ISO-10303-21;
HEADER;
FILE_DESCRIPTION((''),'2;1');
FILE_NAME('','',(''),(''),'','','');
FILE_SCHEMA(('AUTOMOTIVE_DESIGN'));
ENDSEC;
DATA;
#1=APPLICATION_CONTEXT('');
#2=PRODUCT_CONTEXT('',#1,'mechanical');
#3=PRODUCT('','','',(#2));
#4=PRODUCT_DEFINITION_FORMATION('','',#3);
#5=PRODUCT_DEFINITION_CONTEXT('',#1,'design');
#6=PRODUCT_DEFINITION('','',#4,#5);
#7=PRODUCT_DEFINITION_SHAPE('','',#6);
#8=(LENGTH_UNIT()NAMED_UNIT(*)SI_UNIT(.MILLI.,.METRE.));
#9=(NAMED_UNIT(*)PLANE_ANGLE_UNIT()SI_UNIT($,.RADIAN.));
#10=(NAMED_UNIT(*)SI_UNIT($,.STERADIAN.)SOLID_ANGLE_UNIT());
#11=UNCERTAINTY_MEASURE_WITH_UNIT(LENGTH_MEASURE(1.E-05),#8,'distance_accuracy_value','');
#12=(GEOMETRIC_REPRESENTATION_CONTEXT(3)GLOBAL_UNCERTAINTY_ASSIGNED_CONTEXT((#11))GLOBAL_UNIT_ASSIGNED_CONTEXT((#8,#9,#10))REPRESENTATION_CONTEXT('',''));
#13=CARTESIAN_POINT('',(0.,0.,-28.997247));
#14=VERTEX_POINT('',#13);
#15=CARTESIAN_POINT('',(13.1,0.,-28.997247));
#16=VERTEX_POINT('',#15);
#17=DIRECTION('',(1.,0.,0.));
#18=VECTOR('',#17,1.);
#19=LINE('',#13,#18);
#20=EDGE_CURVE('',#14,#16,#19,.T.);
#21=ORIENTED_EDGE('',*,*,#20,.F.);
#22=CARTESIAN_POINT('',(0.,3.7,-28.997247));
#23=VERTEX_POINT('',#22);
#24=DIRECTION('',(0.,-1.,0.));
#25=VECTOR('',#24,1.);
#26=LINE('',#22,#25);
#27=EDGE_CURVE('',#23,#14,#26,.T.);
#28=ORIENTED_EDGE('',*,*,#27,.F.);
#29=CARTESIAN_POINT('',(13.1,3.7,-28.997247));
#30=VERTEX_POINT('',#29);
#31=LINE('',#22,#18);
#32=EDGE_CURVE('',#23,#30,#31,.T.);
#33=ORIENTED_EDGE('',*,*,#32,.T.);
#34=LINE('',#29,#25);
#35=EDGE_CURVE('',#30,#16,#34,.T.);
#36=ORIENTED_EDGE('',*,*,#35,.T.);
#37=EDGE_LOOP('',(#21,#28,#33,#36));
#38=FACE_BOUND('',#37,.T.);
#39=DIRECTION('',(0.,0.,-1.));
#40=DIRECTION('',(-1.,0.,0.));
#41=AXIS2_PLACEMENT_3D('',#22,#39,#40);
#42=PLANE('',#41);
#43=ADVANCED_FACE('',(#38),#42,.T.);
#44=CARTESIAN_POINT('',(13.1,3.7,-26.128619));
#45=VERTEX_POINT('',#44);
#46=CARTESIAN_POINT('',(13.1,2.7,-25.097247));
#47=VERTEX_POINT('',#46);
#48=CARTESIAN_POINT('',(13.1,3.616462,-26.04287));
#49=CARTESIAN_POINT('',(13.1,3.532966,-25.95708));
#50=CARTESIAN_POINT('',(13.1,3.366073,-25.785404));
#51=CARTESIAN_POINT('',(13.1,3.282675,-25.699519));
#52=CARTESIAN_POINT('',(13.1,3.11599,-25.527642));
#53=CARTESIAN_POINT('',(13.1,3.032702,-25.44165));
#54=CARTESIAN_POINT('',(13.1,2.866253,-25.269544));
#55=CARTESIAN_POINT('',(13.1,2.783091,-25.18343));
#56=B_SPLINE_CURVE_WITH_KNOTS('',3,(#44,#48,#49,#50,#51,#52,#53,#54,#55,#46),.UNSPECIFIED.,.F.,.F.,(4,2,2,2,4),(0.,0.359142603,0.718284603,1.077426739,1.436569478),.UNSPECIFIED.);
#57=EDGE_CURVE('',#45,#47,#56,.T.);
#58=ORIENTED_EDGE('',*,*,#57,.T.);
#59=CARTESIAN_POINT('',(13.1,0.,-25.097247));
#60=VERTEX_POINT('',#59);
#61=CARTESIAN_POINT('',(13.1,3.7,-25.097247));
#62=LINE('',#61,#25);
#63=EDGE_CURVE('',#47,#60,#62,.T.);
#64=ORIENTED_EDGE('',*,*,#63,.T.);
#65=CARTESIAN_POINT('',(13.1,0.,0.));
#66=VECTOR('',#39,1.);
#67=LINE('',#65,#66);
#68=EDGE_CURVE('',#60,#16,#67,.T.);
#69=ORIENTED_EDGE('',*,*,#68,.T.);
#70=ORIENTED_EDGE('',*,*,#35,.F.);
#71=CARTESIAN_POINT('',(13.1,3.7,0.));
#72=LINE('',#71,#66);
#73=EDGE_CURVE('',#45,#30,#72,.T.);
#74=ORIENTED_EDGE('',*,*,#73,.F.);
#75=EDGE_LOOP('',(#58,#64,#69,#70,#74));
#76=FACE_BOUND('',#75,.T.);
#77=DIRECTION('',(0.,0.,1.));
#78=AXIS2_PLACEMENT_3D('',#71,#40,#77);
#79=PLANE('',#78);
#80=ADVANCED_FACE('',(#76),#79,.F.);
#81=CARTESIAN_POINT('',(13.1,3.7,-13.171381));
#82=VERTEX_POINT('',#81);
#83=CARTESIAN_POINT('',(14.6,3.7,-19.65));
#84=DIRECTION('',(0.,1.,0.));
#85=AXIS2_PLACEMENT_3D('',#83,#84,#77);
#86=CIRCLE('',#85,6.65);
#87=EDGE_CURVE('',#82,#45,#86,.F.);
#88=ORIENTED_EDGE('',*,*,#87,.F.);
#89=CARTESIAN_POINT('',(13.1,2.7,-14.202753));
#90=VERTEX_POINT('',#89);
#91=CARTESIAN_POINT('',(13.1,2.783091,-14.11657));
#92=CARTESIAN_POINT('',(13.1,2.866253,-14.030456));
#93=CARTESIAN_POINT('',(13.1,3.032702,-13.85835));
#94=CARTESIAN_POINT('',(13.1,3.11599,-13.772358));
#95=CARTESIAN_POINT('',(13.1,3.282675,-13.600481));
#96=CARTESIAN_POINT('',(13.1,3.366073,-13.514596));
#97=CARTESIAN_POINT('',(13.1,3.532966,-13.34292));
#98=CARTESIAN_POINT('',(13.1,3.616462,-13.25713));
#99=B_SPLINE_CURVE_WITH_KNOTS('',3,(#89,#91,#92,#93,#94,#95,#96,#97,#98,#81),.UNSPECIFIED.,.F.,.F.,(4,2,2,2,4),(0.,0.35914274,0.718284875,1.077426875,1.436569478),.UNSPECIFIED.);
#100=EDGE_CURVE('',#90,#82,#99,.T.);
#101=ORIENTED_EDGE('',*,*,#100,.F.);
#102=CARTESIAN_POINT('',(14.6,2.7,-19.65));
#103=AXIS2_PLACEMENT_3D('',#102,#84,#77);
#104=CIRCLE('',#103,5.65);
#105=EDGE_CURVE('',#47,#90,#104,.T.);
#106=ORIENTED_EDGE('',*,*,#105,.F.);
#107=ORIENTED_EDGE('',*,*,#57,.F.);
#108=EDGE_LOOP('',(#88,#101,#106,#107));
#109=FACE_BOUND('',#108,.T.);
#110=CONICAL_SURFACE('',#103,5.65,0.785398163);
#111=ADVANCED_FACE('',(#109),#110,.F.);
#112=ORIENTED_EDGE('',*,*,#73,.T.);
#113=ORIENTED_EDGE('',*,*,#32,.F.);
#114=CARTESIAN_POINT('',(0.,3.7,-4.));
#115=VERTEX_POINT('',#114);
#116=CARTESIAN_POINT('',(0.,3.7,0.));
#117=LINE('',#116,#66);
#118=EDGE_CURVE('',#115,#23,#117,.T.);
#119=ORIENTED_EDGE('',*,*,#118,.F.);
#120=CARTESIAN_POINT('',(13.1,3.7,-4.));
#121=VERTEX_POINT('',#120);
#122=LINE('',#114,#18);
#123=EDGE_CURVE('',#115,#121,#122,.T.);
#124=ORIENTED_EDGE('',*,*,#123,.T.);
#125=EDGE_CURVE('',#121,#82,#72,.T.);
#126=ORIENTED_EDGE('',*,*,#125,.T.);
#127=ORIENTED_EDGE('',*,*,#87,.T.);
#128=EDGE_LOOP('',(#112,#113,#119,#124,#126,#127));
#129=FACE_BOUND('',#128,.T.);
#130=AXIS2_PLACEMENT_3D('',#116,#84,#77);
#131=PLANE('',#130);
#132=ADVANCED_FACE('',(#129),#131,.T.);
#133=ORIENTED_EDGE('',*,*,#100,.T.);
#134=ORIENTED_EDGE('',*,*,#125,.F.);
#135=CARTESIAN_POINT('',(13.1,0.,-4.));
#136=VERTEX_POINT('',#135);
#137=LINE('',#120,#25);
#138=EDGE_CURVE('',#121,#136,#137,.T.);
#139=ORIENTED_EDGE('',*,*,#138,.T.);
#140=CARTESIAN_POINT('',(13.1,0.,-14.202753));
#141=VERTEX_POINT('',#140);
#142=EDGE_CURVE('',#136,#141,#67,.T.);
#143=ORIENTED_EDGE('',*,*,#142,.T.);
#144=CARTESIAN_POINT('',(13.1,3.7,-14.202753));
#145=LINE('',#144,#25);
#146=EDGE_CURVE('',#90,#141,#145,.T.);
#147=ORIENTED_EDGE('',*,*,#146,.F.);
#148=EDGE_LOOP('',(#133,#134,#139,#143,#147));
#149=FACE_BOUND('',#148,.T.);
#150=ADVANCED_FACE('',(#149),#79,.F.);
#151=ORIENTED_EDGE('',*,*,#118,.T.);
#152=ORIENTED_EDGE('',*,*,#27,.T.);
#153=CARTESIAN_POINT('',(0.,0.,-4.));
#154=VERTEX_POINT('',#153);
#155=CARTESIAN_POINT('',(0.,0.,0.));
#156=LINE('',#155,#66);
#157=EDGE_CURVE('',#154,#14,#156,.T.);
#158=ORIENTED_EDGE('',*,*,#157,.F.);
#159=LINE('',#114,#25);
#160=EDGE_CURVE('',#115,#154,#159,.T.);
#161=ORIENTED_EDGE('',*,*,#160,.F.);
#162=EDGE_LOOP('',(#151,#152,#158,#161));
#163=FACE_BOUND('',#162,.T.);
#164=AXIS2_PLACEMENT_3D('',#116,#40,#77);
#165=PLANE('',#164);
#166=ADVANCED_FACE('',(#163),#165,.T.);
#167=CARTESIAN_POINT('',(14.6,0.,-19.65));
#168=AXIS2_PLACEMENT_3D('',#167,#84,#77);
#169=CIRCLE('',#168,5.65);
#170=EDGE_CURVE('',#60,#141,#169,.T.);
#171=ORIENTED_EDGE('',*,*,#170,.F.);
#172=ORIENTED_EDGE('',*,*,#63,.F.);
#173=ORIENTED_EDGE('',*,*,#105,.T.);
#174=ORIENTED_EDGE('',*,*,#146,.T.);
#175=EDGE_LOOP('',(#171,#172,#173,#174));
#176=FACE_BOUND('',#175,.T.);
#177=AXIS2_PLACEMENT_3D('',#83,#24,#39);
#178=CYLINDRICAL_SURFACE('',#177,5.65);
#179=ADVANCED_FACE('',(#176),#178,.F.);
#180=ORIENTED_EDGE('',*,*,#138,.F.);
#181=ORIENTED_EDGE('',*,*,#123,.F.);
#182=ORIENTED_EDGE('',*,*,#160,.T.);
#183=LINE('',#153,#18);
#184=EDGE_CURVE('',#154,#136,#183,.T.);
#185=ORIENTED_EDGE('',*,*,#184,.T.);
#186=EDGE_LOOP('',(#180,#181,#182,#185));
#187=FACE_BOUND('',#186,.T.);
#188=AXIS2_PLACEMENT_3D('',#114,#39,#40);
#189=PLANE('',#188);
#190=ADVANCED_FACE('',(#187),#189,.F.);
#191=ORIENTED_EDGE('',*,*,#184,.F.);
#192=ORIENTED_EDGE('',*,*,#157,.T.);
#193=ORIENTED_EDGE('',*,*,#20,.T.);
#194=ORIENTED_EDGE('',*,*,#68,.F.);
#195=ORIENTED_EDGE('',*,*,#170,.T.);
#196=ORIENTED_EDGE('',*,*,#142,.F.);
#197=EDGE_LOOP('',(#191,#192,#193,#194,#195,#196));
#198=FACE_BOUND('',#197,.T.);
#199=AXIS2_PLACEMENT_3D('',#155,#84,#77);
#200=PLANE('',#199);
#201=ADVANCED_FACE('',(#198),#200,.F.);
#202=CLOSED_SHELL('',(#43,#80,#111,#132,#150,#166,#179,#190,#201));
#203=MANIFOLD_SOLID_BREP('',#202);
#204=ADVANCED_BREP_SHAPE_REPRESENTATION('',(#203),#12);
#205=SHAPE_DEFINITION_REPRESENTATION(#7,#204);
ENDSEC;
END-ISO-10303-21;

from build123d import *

# Parameters (mm, degrees)
BOSS_EXTRUDE1_DEPTH = 3.7
CHAMFER1_SIZE       = 1


with BuildPart() as part:
    # Sketch1 → Boss-Extrude1 (new body)
    with BuildSketch(Plane(origin=(0, 0, 0), x_dir=(1, 0, 0), z_dir=(0, 1, 0))):
        with BuildLine():
            Line((0, 28.997247011), (0, 4))
            Line((0, 4), (13.1, 4))
            Line((13.1, 4), (13.1, 14.202752989))
            ThreePointArc((13.1, 14.202752989), (8.95, 19.65), (13.1, 25.097247011))
            Line((13.1, 25.097247011), (13.1, 28.997247011))
            Line((13.1, 28.997247011), (0, 28.997247011))
        make_face()
    extrude(amount=BOSS_EXTRUDE1_DEPTH)

    # Chamfer1
    chamfer1_edges = [part.edges().sort_by_distance(p)[0] for p in [
        (8.95, 3.7, -19.65),
    ]]
    chamfer(chamfer1_edges, length=CHAMFER1_SIZE)


solid = part.part
